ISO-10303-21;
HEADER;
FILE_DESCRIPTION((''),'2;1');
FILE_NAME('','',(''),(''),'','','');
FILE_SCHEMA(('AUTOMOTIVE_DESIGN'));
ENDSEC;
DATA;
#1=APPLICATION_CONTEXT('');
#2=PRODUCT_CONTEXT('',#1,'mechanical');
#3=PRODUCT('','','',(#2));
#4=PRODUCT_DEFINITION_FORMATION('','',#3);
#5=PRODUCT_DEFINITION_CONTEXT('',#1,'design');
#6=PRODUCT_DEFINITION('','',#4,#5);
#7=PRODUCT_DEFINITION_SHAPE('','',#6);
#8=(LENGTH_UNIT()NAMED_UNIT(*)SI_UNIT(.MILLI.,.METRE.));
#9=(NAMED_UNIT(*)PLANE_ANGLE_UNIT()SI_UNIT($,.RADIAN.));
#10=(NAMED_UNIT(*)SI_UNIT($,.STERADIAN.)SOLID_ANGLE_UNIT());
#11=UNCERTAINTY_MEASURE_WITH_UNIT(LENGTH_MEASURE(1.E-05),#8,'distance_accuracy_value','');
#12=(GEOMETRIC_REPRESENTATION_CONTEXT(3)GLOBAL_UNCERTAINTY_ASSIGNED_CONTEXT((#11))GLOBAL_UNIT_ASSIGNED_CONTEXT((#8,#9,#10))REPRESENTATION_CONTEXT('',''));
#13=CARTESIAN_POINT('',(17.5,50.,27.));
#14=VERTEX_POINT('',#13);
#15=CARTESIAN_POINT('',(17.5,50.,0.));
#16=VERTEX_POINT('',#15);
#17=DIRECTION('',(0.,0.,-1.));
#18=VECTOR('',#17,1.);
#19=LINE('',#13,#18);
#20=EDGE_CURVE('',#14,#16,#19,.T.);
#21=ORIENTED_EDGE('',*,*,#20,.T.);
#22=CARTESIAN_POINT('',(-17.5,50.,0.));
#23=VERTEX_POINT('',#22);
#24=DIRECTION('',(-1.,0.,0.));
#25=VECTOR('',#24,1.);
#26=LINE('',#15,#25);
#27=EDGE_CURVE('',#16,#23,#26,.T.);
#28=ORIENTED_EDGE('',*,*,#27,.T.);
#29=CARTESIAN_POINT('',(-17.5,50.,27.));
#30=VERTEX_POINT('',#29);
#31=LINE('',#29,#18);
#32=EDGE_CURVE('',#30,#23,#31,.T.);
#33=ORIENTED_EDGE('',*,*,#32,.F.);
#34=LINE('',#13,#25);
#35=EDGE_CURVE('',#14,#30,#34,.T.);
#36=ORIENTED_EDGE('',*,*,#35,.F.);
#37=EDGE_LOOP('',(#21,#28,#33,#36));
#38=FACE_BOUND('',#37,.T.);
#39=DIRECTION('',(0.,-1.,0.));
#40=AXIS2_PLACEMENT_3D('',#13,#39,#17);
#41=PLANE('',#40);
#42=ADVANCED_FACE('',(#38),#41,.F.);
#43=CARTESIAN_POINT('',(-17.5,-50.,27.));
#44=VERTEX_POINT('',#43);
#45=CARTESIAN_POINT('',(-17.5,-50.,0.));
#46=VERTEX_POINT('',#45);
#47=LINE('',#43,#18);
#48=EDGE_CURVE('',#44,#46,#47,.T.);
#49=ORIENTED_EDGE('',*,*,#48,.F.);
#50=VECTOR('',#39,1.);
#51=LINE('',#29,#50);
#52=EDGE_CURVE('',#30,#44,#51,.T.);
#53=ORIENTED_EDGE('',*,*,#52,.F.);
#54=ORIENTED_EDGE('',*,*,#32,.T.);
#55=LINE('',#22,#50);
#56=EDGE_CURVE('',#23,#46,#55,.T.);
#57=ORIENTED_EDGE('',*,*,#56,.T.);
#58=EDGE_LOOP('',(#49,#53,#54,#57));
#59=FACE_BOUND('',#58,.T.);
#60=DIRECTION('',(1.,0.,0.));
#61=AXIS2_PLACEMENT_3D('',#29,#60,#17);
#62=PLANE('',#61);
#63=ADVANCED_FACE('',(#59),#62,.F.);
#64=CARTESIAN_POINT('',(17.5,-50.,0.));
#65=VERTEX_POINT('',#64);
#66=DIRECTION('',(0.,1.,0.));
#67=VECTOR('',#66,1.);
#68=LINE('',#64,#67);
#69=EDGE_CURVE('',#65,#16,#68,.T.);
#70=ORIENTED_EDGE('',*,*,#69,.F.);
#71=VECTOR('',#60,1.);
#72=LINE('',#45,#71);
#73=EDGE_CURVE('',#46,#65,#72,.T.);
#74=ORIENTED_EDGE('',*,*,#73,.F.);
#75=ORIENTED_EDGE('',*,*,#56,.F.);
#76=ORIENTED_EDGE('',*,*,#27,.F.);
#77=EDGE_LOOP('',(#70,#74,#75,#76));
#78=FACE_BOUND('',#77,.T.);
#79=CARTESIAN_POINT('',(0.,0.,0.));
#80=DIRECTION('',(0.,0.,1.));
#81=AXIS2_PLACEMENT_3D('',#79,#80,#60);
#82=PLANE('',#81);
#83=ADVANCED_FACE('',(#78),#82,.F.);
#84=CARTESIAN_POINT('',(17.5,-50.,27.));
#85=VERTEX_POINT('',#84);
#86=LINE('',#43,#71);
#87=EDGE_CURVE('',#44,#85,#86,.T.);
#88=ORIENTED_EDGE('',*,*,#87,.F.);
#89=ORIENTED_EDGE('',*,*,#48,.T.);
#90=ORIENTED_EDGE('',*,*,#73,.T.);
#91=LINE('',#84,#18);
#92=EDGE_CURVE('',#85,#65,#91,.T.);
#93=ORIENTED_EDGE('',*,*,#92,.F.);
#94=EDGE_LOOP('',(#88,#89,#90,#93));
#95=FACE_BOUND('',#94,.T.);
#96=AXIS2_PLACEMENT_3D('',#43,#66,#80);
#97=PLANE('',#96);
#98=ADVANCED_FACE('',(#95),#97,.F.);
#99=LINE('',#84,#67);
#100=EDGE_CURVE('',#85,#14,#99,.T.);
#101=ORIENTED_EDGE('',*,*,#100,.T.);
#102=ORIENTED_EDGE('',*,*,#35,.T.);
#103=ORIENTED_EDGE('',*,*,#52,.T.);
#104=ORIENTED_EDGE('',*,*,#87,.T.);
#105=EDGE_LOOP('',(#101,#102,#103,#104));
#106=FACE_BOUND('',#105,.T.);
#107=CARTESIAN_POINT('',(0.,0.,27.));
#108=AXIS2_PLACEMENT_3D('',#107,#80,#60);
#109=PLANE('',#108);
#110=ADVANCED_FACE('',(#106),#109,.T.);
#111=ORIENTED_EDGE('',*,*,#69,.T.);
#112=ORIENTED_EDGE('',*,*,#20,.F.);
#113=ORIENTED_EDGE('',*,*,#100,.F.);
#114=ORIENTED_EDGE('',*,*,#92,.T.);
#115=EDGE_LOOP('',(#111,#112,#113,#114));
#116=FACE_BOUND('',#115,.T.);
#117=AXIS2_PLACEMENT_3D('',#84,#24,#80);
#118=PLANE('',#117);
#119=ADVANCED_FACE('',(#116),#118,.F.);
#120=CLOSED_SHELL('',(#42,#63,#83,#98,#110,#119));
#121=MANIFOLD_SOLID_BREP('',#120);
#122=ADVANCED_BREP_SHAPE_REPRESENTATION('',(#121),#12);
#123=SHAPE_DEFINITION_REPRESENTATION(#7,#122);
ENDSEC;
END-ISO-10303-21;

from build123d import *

# Parameters (mm, degrees)
POUCH_ENVELOPE_PROFILE_W = 35
POUCH_ENVELOPE_PROFILE_H = 100
POUCH_ENVELOPE_DEPTH     = 27


with BuildPart() as part:
    # Pouch envelope profile → Pouch envelope (new body)
    with BuildSketch(Plane.XY):
        Rectangle(POUCH_ENVELOPE_PROFILE_W, POUCH_ENVELOPE_PROFILE_H)
    extrude(amount=POUCH_ENVELOPE_DEPTH)


solid = part.part
